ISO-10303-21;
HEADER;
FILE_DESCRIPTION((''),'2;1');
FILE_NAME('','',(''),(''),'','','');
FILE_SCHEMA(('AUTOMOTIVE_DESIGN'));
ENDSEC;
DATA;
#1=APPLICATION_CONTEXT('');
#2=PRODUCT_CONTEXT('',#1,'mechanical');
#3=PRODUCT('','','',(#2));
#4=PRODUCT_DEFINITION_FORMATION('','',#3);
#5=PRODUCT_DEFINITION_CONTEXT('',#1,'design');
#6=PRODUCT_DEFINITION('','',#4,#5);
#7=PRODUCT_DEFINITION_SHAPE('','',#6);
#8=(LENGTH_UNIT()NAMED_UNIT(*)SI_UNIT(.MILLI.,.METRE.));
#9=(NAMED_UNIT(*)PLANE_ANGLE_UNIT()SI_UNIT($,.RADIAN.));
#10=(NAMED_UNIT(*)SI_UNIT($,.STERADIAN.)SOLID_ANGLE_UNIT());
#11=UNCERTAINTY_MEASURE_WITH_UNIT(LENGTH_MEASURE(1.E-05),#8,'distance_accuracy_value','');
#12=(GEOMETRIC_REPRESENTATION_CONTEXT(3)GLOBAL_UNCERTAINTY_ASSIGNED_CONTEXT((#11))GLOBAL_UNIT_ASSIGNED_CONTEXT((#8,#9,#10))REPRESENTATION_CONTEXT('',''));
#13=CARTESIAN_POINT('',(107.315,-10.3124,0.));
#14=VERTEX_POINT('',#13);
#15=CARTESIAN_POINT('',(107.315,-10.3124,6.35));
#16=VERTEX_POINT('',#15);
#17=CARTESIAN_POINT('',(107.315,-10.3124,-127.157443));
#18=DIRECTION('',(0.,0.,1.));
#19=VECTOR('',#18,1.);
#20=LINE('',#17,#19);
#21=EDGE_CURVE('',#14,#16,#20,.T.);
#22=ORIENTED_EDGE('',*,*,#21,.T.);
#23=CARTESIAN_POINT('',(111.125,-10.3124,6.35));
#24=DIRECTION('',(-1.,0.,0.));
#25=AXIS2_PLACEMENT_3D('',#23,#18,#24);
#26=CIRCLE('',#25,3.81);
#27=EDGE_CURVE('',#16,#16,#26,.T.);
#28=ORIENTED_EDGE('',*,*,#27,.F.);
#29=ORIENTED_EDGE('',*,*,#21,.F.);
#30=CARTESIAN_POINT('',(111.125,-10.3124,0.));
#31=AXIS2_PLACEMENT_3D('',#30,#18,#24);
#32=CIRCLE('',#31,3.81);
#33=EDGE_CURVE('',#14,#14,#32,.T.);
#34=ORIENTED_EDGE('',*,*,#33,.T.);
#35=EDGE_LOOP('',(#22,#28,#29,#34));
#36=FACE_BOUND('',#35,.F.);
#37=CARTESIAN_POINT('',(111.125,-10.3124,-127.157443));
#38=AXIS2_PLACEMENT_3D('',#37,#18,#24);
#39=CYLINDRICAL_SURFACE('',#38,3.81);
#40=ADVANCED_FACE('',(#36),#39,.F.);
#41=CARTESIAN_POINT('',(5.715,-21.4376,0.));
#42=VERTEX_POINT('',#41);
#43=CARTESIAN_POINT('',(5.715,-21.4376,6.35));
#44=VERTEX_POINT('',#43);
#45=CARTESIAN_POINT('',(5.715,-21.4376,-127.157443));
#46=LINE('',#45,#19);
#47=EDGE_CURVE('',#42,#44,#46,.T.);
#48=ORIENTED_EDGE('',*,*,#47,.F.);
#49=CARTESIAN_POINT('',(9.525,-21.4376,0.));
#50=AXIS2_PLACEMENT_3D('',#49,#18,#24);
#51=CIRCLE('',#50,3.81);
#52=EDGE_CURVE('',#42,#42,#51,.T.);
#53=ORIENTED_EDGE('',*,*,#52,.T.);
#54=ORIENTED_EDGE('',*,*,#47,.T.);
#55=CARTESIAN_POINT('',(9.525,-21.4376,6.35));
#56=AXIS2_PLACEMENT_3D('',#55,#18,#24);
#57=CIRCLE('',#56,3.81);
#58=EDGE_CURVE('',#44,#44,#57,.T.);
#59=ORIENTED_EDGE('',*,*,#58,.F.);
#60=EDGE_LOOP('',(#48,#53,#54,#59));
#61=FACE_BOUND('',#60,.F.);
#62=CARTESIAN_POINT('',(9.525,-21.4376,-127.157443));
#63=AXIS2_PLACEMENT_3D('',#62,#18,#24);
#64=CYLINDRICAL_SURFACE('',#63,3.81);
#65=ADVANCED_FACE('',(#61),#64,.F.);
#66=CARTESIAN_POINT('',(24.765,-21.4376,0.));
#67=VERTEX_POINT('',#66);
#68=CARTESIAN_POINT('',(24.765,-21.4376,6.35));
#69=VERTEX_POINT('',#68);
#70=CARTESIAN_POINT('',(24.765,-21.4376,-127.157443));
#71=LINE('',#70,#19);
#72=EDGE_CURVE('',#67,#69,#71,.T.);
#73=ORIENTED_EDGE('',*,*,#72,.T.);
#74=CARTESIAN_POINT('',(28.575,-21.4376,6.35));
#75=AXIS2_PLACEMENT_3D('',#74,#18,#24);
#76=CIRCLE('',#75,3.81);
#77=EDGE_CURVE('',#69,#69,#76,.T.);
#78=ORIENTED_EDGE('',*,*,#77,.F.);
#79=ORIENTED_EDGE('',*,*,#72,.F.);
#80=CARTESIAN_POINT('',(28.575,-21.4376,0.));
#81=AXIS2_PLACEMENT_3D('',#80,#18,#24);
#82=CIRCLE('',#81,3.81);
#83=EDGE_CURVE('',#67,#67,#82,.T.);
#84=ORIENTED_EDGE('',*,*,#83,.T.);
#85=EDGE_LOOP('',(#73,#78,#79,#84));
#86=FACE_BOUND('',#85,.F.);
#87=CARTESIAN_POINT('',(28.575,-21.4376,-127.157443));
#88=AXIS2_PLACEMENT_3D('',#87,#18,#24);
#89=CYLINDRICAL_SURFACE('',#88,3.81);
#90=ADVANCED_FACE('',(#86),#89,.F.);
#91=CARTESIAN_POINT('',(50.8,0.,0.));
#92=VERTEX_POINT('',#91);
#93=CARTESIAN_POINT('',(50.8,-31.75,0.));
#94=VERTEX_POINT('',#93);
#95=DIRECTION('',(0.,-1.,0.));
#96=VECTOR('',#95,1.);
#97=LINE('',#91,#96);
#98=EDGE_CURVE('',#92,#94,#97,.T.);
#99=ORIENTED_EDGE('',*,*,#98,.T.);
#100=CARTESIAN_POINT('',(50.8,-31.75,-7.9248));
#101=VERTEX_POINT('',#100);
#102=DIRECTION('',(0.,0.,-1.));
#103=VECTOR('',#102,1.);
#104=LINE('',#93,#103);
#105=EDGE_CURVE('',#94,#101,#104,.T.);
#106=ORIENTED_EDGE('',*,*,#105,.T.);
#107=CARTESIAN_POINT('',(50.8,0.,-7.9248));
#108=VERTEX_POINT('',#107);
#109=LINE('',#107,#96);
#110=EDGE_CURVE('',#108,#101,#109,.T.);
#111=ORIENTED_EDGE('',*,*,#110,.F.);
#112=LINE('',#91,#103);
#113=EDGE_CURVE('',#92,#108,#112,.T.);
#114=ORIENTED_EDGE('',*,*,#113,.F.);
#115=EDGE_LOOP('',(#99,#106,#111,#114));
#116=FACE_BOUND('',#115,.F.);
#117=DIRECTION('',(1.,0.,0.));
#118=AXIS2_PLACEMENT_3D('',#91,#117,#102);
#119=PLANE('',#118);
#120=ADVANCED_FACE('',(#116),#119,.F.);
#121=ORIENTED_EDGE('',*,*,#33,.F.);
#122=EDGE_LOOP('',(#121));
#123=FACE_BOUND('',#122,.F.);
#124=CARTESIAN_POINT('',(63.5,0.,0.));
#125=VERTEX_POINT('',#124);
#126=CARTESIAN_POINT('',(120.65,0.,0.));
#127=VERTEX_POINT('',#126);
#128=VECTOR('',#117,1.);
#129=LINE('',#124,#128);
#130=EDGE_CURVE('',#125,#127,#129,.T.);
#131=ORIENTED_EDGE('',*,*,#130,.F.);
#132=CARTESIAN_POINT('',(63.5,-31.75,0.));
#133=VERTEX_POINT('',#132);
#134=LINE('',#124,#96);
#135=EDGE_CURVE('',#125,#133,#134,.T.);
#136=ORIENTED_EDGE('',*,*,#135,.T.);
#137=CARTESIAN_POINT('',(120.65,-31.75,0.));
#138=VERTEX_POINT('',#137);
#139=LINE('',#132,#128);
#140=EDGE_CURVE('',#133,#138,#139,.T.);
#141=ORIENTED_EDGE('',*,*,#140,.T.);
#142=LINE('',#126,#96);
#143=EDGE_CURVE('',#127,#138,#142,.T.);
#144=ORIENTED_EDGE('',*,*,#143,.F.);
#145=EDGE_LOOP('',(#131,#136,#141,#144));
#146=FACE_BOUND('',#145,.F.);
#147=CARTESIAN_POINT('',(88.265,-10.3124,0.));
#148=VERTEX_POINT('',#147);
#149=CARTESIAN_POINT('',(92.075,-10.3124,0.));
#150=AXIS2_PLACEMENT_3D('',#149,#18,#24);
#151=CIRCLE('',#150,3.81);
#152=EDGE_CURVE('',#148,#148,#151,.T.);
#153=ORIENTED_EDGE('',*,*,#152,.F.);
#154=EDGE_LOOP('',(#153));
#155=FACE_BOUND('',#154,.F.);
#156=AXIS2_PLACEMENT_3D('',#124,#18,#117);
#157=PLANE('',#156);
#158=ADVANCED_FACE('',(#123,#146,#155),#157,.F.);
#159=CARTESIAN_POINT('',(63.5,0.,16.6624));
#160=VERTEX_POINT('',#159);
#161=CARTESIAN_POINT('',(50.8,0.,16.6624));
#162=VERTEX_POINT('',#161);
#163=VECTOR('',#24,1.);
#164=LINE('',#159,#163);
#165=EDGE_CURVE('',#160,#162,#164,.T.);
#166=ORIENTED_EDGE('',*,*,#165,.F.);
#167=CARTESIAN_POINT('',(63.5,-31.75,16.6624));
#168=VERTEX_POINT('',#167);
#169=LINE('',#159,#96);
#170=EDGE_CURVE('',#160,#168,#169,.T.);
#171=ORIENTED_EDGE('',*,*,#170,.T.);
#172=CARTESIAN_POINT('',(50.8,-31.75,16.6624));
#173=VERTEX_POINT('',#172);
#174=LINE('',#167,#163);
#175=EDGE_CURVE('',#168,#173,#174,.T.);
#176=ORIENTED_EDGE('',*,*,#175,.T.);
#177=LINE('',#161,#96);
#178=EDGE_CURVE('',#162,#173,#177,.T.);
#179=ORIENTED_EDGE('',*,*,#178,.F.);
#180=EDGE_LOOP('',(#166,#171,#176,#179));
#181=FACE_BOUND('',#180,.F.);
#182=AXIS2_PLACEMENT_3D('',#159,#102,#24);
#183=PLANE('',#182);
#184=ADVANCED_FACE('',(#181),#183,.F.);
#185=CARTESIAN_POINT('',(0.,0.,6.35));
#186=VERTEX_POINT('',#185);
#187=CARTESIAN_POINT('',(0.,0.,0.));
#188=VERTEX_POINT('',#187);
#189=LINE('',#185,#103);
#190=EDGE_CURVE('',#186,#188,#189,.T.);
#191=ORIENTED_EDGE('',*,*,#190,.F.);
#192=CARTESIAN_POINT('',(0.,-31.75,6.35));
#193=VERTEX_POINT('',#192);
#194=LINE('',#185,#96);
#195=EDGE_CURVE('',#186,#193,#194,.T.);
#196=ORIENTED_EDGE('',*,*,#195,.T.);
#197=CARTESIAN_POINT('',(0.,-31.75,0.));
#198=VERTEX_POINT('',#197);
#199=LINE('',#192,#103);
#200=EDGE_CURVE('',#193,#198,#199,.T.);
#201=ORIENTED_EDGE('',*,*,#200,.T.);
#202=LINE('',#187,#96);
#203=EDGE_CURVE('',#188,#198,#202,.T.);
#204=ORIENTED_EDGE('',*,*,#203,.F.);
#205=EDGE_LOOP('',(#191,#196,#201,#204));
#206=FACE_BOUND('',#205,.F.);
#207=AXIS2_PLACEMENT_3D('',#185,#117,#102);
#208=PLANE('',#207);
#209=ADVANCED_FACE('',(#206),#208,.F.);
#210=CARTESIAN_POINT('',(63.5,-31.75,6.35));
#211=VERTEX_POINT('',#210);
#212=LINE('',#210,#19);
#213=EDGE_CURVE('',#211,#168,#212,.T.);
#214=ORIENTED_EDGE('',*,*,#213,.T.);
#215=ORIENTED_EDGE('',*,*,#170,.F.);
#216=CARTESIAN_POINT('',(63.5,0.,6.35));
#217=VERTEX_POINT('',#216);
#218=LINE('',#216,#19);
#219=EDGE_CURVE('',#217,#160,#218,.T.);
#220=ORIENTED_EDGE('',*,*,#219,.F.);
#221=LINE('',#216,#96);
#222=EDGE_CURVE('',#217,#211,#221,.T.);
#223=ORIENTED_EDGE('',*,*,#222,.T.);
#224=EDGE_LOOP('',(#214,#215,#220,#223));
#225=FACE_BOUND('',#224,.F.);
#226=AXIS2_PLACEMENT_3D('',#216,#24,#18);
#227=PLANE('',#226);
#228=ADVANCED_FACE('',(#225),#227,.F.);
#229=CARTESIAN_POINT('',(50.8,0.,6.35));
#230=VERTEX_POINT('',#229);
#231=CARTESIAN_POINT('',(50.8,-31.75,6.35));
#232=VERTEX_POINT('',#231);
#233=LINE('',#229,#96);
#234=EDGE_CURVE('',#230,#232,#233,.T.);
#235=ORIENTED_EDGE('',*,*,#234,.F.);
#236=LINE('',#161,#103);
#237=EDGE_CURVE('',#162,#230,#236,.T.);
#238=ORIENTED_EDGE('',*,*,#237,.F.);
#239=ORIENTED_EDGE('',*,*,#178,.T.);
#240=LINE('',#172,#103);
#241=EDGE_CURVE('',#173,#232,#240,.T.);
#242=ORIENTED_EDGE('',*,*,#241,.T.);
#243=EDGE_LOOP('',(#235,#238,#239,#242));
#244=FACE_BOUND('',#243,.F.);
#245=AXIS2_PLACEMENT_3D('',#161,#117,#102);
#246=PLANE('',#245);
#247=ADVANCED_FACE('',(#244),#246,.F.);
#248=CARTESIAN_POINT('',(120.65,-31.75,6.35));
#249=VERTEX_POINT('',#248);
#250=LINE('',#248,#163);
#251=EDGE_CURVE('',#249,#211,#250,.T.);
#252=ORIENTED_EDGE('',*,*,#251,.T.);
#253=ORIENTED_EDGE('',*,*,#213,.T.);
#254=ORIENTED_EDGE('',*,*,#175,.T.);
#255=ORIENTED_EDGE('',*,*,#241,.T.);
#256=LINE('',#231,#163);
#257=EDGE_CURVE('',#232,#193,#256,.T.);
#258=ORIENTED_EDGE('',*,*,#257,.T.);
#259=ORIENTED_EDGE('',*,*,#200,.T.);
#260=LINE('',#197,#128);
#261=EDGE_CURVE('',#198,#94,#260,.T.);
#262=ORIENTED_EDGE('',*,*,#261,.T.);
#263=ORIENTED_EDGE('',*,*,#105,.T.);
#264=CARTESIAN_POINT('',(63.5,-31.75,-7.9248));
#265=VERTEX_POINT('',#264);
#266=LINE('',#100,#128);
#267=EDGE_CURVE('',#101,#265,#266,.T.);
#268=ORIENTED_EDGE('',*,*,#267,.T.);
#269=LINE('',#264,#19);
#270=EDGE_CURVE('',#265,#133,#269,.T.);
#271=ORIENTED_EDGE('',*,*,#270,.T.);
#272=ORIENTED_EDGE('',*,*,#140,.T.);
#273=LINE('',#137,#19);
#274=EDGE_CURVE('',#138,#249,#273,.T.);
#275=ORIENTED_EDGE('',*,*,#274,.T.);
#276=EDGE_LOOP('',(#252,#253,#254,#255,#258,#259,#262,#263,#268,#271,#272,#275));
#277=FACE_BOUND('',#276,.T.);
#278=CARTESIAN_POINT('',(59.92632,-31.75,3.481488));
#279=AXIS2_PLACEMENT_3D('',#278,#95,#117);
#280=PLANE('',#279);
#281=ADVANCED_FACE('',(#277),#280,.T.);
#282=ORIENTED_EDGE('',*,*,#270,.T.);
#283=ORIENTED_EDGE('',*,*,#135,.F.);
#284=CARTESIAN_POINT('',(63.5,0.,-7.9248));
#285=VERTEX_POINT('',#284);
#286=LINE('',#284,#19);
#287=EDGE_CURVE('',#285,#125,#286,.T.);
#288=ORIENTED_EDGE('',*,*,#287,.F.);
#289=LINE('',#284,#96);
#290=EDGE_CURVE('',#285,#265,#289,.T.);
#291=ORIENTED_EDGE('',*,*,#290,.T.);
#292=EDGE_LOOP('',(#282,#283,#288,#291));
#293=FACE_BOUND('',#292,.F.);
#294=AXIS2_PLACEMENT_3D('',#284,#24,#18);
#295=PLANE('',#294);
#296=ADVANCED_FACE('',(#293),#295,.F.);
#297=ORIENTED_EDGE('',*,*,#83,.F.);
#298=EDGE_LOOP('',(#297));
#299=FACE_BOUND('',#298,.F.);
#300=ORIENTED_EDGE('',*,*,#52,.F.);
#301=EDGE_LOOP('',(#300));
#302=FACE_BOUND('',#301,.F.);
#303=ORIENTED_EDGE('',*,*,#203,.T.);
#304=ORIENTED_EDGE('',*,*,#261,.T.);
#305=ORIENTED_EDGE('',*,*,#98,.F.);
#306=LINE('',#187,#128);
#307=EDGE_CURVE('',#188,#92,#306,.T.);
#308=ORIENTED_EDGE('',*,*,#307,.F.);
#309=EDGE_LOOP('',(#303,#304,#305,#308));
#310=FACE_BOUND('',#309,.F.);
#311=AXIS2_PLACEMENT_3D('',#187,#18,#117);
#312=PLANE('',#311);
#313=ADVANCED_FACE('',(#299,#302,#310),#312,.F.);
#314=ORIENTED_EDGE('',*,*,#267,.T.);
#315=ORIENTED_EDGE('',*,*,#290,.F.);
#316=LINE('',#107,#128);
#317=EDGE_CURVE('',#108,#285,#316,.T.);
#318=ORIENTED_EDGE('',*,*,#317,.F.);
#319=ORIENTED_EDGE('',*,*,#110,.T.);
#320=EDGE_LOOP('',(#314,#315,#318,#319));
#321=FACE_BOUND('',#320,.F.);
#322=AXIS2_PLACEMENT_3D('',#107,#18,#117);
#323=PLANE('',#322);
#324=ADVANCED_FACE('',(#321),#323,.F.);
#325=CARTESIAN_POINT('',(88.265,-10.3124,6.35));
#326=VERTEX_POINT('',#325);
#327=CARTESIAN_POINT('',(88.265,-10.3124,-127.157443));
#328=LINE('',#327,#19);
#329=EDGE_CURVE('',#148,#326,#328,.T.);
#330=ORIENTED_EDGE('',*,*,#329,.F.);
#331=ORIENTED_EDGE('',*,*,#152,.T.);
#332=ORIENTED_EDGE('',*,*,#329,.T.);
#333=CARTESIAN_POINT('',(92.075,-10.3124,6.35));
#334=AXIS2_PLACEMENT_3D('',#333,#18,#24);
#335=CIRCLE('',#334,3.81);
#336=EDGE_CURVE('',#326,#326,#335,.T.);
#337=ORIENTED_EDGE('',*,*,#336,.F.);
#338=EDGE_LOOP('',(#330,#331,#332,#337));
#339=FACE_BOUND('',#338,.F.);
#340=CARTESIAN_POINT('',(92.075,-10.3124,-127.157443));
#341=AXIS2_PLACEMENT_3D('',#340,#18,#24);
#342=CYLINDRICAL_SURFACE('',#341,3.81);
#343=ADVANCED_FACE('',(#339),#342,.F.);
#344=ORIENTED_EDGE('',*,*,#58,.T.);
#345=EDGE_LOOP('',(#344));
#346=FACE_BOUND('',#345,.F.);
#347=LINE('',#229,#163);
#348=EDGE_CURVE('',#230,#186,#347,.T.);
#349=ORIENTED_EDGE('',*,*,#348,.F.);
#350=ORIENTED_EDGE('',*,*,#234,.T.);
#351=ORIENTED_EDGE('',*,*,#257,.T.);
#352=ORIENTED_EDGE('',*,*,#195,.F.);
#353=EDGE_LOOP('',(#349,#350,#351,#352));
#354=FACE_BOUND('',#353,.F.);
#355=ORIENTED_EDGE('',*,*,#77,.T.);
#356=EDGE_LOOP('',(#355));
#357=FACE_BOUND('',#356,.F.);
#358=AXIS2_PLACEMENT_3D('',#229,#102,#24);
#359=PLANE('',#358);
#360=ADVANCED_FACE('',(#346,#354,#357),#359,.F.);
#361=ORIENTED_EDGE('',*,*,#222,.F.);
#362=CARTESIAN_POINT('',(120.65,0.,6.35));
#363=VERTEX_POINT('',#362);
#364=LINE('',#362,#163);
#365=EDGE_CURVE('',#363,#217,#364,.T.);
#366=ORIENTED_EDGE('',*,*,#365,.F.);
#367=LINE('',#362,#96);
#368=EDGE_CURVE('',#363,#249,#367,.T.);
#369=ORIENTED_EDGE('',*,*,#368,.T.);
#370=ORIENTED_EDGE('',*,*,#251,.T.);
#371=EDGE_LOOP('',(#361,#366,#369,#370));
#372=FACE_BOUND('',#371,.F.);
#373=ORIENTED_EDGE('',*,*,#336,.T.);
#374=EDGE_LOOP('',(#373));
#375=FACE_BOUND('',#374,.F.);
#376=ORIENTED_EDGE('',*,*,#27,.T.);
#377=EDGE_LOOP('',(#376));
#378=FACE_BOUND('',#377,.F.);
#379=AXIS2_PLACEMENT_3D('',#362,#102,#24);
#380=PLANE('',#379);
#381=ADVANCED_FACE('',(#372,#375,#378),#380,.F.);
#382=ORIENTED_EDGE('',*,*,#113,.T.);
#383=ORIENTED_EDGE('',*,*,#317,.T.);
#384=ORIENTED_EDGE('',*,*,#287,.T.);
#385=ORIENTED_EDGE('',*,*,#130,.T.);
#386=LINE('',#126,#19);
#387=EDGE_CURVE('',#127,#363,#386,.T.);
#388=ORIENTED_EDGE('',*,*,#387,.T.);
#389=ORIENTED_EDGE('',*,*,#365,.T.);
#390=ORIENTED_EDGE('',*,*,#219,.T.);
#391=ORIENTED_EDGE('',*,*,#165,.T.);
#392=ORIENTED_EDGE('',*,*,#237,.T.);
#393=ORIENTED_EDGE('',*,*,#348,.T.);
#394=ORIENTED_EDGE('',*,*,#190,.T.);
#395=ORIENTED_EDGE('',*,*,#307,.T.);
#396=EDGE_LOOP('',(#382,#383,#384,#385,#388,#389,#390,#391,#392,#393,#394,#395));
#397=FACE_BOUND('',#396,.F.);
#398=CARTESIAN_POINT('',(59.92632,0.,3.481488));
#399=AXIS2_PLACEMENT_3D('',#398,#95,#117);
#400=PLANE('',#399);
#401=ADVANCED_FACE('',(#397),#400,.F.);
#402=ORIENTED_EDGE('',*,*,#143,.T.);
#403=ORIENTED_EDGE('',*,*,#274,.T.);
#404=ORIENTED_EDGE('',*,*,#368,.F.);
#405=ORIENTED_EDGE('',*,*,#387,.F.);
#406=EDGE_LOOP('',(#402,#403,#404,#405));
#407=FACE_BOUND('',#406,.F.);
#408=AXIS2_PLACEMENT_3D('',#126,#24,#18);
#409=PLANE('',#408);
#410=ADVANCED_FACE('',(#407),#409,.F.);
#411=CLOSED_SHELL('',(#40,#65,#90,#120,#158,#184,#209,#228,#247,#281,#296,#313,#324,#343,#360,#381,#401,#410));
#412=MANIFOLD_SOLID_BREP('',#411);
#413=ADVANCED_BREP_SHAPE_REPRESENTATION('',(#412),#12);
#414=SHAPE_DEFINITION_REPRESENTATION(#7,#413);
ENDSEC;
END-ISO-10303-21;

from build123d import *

# Parameters (mm, degrees)
F1_DEPTH = 31.75
F3_D     = 7.62


with BuildPart() as f1:
    # F0 (on Front) → F1 (new body)
    with BuildSketch(Plane.XZ):
        Polygon((0, 6.35), (0, 0), (50.8, 0), (50.8, -7.9248), (63.5, -7.9248), (63.5, 0), (120.65, 0), (120.65, 6.35), (63.5, 6.35), (63.5, 16.6624), (50.8, 16.6624), (50.8, 6.35), align=None)
    extrude(amount=F1_DEPTH)

    # F3 (through all)
    with Locations(Plane(origin=(0, 0, 0), x_dir=(1, 0, 0), z_dir=(0, 0, -1))):
        with Locations((9.525, 21.4376), (28.575, 21.4376), (92.075, 10.3124), (111.125, 10.3124)):
            Hole(F3_D / 2)


solid = f1.part
